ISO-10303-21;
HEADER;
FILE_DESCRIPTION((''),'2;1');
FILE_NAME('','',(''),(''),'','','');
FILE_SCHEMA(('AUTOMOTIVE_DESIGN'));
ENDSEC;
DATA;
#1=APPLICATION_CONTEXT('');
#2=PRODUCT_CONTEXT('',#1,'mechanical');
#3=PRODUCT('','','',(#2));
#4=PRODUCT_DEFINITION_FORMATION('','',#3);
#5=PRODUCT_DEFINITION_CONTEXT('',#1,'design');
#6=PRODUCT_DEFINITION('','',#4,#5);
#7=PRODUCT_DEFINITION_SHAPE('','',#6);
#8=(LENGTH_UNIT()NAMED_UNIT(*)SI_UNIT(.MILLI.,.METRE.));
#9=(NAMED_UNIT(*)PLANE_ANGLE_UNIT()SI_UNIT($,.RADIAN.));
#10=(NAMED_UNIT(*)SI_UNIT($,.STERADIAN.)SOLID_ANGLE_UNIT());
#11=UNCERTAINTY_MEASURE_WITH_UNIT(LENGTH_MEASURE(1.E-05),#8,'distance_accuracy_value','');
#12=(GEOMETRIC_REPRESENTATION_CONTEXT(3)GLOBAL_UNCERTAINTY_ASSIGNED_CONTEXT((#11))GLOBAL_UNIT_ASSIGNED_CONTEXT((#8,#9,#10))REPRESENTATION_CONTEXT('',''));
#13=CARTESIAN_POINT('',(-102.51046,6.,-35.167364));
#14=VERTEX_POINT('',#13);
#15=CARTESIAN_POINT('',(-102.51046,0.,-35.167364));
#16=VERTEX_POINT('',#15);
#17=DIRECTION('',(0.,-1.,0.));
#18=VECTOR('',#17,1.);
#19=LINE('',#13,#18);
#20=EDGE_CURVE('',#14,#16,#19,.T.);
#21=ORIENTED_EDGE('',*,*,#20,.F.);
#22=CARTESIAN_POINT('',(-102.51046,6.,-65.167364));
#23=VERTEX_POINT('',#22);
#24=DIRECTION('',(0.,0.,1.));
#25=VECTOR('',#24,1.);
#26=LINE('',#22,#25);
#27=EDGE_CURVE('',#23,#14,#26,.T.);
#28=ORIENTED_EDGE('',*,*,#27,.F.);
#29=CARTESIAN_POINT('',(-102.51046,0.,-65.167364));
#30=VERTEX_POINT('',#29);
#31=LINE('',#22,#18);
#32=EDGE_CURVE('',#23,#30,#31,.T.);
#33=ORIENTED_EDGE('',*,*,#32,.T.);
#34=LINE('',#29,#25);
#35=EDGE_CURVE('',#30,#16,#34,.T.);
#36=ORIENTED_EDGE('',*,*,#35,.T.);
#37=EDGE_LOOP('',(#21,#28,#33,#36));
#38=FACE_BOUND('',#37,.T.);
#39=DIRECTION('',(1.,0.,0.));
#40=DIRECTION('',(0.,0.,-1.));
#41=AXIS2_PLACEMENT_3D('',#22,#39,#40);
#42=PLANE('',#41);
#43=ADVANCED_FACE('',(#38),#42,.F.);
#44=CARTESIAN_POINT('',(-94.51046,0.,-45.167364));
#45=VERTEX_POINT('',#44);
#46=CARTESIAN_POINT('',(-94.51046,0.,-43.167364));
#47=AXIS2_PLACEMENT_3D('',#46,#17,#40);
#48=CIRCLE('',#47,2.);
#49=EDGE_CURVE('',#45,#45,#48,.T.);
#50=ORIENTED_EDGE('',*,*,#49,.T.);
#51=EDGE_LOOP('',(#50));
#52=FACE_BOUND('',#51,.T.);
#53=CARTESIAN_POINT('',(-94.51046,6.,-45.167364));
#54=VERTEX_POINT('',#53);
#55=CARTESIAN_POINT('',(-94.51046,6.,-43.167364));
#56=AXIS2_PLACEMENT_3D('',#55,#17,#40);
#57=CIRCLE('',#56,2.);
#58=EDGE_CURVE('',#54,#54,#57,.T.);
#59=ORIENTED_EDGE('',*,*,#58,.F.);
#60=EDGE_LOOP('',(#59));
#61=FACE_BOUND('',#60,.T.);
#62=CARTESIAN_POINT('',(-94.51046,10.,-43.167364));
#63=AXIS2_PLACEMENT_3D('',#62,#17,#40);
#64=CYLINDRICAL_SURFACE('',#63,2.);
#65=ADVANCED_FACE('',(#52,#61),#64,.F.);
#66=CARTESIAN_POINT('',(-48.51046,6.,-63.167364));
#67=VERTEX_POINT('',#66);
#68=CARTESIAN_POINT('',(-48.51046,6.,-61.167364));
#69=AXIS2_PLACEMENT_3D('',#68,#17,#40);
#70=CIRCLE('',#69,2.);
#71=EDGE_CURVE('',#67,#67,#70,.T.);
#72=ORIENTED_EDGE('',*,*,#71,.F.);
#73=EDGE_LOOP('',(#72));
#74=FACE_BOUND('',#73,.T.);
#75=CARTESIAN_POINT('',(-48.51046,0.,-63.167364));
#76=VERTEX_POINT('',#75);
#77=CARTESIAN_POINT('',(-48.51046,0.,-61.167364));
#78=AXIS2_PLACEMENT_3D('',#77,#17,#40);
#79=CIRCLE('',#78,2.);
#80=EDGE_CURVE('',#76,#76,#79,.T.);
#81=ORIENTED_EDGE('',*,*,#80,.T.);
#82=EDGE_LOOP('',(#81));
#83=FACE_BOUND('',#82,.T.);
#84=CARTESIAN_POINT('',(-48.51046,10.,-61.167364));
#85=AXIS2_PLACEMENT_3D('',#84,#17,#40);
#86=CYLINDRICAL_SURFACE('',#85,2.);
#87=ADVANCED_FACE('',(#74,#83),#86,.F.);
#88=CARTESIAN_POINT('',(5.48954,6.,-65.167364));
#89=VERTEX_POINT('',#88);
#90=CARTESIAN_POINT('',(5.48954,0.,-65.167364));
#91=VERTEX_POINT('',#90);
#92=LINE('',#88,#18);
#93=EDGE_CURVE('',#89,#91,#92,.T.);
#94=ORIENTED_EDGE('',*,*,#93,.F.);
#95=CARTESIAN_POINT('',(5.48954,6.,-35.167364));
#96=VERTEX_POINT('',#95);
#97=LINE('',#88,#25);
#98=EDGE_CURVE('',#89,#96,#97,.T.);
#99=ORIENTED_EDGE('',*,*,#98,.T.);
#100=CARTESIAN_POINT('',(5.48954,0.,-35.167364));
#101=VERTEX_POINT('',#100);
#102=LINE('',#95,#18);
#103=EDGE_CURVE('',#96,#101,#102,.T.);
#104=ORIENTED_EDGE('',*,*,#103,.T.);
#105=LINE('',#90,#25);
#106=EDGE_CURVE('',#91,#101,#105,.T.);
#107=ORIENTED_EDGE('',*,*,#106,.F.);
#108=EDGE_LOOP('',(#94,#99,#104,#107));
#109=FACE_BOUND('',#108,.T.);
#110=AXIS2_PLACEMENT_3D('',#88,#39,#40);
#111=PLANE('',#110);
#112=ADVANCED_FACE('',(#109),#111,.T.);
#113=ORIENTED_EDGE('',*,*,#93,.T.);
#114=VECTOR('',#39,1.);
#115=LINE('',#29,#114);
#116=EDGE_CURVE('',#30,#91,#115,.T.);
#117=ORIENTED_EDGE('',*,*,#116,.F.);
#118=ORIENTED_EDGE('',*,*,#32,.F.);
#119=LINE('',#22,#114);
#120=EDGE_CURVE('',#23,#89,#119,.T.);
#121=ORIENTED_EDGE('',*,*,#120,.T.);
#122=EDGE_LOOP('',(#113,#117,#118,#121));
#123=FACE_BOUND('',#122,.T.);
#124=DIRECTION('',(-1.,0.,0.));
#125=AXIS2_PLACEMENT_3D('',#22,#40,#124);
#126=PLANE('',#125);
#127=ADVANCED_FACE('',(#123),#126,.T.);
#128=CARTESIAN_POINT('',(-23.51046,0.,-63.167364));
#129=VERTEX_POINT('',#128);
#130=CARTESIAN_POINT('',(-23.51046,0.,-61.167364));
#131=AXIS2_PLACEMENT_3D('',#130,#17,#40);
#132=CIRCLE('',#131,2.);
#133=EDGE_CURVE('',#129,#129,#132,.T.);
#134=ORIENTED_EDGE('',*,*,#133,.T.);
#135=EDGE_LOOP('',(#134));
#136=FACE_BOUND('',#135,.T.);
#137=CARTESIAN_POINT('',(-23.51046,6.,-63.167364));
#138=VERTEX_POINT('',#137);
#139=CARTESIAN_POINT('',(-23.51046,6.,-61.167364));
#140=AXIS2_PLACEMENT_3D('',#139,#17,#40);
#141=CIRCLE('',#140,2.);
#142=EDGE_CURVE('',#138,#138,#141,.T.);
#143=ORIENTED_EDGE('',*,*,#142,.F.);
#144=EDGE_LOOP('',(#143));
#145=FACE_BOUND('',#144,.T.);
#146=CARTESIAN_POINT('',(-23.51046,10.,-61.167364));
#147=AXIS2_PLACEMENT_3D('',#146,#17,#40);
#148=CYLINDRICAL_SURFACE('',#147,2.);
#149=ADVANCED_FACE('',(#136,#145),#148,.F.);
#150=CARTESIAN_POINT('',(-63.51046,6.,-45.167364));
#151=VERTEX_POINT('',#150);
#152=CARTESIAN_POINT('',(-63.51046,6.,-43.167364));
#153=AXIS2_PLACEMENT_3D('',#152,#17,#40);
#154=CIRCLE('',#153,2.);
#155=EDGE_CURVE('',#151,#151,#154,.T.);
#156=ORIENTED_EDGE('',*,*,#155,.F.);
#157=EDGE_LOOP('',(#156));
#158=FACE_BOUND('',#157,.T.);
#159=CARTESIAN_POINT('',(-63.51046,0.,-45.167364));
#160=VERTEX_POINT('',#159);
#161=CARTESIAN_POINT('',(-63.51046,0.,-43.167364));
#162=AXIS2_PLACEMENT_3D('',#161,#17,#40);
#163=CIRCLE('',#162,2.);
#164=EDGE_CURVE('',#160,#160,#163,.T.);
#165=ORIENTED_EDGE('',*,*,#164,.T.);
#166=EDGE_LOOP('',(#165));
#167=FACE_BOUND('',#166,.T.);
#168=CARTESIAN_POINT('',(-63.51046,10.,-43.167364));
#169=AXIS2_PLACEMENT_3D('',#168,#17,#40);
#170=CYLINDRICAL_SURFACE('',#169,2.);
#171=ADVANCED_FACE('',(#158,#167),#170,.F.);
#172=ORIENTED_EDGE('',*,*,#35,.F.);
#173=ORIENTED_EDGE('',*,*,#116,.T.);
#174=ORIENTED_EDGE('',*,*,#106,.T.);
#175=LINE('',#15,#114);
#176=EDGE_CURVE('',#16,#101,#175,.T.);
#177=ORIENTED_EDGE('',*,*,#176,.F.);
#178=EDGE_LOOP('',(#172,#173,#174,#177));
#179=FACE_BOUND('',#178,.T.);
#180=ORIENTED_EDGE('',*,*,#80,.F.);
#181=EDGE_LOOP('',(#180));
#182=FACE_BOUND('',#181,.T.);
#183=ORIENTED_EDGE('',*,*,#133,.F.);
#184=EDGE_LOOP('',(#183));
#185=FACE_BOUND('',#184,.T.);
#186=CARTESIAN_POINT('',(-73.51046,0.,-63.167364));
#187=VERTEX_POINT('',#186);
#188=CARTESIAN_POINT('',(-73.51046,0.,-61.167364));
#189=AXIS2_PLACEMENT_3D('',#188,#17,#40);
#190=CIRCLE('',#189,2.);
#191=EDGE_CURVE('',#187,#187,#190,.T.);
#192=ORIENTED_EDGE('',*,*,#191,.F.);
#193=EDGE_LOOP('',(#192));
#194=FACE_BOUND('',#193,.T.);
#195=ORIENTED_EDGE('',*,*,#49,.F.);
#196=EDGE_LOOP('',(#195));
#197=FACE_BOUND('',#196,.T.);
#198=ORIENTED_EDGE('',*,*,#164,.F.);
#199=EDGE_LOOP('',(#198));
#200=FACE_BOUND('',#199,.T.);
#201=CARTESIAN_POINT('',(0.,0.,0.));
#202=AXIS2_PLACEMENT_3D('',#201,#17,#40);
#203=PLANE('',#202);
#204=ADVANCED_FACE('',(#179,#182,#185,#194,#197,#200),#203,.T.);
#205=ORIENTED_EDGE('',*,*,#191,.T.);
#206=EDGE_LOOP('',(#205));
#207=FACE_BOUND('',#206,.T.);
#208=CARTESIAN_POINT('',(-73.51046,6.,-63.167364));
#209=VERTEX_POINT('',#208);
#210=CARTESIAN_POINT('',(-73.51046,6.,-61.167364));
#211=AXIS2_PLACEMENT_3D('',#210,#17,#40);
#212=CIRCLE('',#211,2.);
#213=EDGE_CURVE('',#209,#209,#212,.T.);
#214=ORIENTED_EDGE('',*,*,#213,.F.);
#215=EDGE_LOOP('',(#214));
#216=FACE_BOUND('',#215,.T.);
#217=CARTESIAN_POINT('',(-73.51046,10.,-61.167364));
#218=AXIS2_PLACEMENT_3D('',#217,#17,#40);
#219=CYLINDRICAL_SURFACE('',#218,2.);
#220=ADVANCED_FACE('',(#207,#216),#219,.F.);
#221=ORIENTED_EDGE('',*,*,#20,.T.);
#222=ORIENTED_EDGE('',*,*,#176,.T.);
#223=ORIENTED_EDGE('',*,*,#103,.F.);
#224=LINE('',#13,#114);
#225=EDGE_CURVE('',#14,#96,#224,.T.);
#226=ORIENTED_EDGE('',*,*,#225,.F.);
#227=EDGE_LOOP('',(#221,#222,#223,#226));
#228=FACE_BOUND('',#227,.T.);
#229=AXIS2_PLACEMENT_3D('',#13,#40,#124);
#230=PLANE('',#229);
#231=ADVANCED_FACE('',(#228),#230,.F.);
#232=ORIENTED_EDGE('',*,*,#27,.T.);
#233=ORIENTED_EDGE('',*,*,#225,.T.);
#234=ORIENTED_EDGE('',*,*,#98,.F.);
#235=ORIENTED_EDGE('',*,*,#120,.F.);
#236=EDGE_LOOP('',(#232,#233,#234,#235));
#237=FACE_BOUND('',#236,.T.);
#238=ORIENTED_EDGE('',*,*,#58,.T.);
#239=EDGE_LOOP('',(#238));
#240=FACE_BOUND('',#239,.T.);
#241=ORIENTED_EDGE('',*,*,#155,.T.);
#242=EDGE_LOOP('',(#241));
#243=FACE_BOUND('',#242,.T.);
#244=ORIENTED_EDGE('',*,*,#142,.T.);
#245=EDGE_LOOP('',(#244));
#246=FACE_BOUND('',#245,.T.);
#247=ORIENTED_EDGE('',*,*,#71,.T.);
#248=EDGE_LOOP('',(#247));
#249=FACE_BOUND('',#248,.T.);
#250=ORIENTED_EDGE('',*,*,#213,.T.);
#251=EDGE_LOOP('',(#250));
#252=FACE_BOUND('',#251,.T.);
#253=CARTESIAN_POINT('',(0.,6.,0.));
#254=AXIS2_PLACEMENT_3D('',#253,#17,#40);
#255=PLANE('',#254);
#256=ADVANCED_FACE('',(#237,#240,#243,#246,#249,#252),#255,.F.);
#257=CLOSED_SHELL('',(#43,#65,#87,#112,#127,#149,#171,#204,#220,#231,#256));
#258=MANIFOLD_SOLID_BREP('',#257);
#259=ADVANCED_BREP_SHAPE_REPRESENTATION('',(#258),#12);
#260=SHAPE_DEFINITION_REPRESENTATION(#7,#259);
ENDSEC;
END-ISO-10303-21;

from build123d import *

# Parameters (mm, degrees)
SKETCH1_W           = 108
SKETCH1_H           = 30
BOSS_EXTRUDE1_DEPTH = 6
SKETCH2_R           = 2
CUT_EXTRUDE1_DEPTH  = 10


with BuildPart() as part:
    # Sketch1 → Boss-Extrude1 (new body)
    with BuildSketch(Plane(origin=(0, 0, 0), x_dir=(1, 0, 0), z_dir=(0, 1, 0))):
        with Locations((-48.510460251, 50.167364017)):
            Rectangle(SKETCH1_W, SKETCH1_H)
    extrude(amount=BOSS_EXTRUDE1_DEPTH)

    # Sketch2 → Cut-Extrude1 (cut)
    with BuildSketch(Plane.XZ):
        with Locations((-73.510460251, -61.167364017)):
            Circle(SKETCH2_R)
        with Locations((-48.510460251, -61.167364017)):
            Circle(SKETCH2_R)
        with Locations((-23.510460251, -61.167364017)):
            Circle(SKETCH2_R)
        with Locations((-94.510460251, -43.167364017)):
            Circle(SKETCH2_R)
        with Locations((-63.510460251, -43.167364017)):
            Circle(SKETCH2_R)
    extrude(amount=-CUT_EXTRUDE1_DEPTH, mode=Mode.SUBTRACT)


solid = part.part
